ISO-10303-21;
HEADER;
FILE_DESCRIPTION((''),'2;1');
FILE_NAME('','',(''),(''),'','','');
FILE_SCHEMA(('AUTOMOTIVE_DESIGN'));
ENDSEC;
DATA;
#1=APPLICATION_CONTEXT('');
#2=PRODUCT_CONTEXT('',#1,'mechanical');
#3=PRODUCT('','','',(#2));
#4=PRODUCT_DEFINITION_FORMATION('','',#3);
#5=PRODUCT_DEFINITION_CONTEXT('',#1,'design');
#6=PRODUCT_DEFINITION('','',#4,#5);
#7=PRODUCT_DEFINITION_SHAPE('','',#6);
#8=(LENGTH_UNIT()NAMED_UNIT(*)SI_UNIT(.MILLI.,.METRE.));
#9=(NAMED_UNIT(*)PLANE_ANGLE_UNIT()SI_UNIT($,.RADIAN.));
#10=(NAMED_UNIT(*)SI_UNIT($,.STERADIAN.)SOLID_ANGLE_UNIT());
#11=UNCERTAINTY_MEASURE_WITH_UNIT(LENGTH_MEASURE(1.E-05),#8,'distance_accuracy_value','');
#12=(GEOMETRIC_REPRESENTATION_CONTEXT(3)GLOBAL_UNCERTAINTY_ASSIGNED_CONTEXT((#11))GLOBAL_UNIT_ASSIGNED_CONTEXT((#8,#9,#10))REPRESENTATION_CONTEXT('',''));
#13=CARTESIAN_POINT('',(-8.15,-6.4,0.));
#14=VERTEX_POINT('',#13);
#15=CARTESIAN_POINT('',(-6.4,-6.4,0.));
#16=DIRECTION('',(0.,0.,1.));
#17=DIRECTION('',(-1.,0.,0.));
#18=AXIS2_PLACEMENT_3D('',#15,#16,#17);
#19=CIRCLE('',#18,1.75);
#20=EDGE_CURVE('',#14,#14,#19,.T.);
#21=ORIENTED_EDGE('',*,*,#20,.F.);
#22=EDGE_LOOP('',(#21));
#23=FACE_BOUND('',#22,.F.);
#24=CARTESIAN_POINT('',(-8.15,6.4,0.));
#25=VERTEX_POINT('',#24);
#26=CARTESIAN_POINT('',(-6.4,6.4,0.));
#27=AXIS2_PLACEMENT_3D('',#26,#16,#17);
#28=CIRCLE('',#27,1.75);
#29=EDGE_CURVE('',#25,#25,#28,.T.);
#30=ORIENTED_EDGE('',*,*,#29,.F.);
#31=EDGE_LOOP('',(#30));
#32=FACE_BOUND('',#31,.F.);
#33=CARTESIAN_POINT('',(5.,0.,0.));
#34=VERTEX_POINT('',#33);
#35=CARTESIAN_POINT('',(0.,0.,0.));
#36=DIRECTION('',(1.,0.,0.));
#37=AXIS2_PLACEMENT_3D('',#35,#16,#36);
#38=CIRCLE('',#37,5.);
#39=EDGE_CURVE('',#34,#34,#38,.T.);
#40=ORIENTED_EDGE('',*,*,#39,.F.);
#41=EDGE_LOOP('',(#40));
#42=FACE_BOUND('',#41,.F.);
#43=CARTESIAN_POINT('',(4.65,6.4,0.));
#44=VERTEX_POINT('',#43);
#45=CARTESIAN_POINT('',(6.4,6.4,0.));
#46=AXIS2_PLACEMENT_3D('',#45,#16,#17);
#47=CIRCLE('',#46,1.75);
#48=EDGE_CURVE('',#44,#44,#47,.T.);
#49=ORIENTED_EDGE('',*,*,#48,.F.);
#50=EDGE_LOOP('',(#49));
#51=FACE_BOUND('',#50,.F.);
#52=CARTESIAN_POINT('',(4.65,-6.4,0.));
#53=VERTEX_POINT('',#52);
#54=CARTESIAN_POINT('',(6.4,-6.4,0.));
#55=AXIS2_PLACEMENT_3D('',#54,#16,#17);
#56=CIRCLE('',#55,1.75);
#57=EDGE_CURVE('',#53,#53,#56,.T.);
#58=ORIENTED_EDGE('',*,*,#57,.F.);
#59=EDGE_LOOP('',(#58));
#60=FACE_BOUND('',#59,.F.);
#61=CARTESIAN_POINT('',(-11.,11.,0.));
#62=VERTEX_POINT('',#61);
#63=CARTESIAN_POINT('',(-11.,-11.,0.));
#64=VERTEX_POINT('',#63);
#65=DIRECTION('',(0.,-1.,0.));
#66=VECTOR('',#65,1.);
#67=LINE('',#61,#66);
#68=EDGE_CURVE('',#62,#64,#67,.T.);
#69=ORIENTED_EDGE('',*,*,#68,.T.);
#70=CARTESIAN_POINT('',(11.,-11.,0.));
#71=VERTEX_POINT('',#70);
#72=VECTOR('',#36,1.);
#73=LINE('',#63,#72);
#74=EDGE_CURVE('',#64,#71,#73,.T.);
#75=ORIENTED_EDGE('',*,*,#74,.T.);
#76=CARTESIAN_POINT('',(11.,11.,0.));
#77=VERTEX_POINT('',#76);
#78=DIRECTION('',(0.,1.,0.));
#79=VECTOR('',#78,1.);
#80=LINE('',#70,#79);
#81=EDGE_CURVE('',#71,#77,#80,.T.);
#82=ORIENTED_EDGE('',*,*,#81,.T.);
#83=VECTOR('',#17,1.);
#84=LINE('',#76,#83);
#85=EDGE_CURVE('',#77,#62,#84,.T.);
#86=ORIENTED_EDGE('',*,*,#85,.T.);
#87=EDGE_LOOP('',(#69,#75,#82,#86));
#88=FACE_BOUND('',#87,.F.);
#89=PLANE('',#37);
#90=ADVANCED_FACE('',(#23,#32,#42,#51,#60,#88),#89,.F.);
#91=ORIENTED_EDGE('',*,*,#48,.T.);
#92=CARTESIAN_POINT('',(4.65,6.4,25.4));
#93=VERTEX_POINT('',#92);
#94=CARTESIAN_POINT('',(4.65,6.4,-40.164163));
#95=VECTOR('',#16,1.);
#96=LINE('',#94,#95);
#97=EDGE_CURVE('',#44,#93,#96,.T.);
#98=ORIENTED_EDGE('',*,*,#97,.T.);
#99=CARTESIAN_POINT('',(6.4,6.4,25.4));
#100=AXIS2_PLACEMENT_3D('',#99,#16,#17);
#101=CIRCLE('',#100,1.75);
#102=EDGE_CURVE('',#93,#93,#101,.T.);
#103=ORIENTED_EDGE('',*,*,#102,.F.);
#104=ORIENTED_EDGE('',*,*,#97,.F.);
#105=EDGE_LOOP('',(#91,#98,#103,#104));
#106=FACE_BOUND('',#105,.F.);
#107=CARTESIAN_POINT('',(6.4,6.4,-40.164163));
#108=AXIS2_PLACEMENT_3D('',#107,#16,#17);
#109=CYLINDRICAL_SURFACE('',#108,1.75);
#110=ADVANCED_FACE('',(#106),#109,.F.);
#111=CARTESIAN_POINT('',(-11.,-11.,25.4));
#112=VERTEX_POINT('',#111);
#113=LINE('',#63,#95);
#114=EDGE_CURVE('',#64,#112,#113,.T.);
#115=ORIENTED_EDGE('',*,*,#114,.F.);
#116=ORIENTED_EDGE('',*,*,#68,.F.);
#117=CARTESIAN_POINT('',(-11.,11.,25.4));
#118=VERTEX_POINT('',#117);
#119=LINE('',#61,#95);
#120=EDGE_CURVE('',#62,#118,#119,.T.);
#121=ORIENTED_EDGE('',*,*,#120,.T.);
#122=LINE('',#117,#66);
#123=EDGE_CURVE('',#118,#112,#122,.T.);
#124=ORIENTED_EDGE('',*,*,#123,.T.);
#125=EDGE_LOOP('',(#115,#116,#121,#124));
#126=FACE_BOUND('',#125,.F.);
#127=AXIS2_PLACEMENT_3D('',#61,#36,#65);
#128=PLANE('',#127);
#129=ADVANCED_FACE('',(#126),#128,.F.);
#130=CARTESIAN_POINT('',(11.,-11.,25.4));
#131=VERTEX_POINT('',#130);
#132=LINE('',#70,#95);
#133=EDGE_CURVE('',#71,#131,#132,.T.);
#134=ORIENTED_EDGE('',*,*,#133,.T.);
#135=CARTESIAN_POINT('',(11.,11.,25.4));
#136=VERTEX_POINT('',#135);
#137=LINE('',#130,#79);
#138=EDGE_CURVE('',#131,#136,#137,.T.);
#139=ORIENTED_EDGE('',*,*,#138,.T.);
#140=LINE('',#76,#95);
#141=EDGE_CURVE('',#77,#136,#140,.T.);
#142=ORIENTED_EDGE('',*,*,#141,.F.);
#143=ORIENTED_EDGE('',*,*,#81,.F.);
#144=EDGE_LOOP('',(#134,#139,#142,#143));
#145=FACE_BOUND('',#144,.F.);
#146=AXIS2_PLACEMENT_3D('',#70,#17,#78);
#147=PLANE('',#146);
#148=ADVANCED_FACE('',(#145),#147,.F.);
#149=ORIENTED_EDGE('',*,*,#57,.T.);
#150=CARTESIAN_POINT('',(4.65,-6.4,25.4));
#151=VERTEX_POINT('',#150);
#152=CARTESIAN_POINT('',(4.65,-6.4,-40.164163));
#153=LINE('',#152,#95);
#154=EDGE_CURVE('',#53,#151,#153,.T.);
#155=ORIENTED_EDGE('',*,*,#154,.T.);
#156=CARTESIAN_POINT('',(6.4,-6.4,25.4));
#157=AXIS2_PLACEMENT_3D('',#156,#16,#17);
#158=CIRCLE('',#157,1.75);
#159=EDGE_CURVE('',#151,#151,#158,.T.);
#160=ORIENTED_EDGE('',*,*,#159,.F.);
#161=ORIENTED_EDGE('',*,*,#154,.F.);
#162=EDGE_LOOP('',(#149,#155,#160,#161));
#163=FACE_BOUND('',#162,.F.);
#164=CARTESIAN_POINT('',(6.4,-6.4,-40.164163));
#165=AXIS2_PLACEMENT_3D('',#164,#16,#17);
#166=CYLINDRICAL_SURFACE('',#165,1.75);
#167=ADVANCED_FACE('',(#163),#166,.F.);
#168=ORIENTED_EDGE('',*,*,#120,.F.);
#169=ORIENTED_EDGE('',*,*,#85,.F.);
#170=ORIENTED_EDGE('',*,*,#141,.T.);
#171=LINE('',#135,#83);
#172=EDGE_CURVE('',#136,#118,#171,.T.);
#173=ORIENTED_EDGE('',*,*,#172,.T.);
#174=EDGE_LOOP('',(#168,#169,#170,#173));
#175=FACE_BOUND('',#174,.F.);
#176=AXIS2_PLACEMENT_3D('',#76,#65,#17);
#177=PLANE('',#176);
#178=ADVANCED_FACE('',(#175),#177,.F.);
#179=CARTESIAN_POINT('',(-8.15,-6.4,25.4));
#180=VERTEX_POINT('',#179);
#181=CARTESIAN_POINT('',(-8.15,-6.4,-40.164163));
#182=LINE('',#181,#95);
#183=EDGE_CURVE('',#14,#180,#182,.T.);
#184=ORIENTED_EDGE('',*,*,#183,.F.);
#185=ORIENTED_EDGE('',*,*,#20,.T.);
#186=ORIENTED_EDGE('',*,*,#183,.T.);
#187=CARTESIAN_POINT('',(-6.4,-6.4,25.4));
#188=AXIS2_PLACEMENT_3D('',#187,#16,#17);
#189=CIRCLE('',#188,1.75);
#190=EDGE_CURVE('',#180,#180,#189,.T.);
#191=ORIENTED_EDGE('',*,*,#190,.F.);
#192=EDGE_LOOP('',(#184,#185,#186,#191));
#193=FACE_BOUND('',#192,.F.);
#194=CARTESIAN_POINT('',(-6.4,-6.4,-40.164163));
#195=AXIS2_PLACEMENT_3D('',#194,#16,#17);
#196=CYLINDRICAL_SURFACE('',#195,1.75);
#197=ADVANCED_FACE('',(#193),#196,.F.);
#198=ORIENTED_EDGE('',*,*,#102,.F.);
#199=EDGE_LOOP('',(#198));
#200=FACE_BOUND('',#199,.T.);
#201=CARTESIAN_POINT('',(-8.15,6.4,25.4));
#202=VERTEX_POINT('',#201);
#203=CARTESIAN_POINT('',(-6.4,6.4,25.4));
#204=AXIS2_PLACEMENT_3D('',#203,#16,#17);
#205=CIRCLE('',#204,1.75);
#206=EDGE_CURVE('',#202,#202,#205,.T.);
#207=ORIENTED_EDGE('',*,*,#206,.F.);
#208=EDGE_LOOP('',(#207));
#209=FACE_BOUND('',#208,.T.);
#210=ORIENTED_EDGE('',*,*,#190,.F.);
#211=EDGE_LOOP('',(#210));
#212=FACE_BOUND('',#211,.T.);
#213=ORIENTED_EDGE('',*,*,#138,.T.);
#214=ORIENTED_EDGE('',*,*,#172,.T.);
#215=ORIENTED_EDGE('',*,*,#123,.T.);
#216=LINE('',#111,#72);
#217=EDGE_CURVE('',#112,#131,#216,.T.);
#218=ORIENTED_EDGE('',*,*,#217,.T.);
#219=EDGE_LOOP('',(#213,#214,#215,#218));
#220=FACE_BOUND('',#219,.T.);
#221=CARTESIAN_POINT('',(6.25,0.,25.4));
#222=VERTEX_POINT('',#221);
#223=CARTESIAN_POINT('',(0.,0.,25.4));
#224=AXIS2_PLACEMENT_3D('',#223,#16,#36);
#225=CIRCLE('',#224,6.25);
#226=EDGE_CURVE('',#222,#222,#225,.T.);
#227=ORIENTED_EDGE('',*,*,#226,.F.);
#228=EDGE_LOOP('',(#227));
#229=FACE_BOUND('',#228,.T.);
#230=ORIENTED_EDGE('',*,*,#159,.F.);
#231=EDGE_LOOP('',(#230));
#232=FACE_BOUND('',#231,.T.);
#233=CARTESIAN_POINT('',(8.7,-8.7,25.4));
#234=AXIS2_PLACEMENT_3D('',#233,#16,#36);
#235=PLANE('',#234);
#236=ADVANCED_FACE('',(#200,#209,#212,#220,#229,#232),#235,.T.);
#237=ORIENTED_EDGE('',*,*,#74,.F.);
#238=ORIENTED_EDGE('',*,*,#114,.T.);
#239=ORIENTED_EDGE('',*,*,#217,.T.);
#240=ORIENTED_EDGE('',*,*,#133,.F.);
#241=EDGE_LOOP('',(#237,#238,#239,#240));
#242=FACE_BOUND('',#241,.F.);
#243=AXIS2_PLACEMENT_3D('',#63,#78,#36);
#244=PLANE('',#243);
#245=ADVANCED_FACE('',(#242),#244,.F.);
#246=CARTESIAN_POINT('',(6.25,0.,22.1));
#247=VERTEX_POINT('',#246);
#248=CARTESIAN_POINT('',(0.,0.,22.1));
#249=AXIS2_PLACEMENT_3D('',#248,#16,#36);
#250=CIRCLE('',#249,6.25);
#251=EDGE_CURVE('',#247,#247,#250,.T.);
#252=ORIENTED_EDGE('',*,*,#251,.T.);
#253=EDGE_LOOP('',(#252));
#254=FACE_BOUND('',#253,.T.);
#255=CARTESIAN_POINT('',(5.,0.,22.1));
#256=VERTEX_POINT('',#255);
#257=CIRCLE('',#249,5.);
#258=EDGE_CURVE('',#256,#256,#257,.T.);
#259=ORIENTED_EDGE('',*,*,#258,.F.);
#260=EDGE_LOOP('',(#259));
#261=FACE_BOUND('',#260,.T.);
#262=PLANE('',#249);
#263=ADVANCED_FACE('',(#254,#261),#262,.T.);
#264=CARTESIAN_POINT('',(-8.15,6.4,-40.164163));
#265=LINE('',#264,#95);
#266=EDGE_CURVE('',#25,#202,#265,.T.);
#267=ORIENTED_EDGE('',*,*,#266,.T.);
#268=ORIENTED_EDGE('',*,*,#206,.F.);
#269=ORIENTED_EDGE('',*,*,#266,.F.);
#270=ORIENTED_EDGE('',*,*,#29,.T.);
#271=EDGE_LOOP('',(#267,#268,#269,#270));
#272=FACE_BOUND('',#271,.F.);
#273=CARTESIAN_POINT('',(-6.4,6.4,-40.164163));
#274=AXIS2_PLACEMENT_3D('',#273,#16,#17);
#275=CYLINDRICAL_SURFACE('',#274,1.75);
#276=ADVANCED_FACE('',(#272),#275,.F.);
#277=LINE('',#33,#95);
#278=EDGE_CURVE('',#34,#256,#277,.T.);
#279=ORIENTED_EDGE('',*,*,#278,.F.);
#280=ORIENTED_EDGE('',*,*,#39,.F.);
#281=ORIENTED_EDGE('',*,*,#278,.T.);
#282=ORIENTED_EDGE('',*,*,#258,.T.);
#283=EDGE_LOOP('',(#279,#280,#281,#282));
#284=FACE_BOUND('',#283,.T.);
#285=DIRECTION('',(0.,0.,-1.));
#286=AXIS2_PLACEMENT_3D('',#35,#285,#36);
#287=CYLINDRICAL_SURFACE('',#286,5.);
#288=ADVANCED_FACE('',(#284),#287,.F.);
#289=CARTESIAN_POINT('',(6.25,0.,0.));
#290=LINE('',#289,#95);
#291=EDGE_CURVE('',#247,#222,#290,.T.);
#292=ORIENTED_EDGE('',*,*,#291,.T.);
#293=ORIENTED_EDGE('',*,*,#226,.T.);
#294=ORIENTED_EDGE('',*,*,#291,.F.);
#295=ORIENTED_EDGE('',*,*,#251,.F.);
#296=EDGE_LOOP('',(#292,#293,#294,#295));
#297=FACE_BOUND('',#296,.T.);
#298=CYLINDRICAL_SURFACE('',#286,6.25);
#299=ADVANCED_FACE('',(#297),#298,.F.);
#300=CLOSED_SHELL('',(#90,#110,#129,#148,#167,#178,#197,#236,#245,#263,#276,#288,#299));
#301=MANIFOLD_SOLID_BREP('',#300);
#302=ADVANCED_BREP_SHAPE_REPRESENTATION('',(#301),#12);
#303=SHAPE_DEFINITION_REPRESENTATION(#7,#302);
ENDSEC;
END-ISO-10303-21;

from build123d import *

# Parameters (mm, degrees)
F0_W     = 4.6
F0_H     = 4.6
F0_R     = 6.25
F1_DEPTH = 25.4
F0_R_2   = 5
F2_DEPTH = 22.1
F3_D     = 3.5


with BuildPart() as f1:
    # F0 (on Top) → F1 (new body)
    with BuildSketch(Plane.XY):
        with Locations((8.7, -8.7)):
            Rectangle(F0_W, F0_H)
        Polygon((-6.4, -11), (6.4, -11), (6.4, -6.4), (11, -6.4), (11, 6.4), (6.4, 6.4), (6.4, 11), (-6.4, 11), (-6.4, 6.4), (-11, 6.4), (-11, -6.4), (-6.4, -6.4), align=None)
        Circle(F0_R, mode=Mode.SUBTRACT)
        with Locations((-8.7, -8.7)):
            Rectangle(F0_W, F0_H)
        with Locations((8.7, 8.7)):
            Rectangle(F0_W, F0_H)
        with Locations((-8.7, 8.7)):
            Rectangle(F0_W, F0_H)
    extrude(amount=F1_DEPTH)

    # F0 (on Top) → F2 (join)
    with BuildSketch(Plane.XY):
        Circle(F0_R)
        Circle(F0_R_2, mode=Mode.SUBTRACT)
    extrude(amount=F2_DEPTH)

    # F3 (through all)
    with Locations(Plane(origin=(0, 0, 0), x_dir=(1, 0, 0), z_dir=(0, 0, -1))):
        with Locations((-6.4, -6.4), (-6.4, 6.4), (6.4, -6.4), (6.4, 6.4)):
            Hole(F3_D / 2)


solid = f1.part
